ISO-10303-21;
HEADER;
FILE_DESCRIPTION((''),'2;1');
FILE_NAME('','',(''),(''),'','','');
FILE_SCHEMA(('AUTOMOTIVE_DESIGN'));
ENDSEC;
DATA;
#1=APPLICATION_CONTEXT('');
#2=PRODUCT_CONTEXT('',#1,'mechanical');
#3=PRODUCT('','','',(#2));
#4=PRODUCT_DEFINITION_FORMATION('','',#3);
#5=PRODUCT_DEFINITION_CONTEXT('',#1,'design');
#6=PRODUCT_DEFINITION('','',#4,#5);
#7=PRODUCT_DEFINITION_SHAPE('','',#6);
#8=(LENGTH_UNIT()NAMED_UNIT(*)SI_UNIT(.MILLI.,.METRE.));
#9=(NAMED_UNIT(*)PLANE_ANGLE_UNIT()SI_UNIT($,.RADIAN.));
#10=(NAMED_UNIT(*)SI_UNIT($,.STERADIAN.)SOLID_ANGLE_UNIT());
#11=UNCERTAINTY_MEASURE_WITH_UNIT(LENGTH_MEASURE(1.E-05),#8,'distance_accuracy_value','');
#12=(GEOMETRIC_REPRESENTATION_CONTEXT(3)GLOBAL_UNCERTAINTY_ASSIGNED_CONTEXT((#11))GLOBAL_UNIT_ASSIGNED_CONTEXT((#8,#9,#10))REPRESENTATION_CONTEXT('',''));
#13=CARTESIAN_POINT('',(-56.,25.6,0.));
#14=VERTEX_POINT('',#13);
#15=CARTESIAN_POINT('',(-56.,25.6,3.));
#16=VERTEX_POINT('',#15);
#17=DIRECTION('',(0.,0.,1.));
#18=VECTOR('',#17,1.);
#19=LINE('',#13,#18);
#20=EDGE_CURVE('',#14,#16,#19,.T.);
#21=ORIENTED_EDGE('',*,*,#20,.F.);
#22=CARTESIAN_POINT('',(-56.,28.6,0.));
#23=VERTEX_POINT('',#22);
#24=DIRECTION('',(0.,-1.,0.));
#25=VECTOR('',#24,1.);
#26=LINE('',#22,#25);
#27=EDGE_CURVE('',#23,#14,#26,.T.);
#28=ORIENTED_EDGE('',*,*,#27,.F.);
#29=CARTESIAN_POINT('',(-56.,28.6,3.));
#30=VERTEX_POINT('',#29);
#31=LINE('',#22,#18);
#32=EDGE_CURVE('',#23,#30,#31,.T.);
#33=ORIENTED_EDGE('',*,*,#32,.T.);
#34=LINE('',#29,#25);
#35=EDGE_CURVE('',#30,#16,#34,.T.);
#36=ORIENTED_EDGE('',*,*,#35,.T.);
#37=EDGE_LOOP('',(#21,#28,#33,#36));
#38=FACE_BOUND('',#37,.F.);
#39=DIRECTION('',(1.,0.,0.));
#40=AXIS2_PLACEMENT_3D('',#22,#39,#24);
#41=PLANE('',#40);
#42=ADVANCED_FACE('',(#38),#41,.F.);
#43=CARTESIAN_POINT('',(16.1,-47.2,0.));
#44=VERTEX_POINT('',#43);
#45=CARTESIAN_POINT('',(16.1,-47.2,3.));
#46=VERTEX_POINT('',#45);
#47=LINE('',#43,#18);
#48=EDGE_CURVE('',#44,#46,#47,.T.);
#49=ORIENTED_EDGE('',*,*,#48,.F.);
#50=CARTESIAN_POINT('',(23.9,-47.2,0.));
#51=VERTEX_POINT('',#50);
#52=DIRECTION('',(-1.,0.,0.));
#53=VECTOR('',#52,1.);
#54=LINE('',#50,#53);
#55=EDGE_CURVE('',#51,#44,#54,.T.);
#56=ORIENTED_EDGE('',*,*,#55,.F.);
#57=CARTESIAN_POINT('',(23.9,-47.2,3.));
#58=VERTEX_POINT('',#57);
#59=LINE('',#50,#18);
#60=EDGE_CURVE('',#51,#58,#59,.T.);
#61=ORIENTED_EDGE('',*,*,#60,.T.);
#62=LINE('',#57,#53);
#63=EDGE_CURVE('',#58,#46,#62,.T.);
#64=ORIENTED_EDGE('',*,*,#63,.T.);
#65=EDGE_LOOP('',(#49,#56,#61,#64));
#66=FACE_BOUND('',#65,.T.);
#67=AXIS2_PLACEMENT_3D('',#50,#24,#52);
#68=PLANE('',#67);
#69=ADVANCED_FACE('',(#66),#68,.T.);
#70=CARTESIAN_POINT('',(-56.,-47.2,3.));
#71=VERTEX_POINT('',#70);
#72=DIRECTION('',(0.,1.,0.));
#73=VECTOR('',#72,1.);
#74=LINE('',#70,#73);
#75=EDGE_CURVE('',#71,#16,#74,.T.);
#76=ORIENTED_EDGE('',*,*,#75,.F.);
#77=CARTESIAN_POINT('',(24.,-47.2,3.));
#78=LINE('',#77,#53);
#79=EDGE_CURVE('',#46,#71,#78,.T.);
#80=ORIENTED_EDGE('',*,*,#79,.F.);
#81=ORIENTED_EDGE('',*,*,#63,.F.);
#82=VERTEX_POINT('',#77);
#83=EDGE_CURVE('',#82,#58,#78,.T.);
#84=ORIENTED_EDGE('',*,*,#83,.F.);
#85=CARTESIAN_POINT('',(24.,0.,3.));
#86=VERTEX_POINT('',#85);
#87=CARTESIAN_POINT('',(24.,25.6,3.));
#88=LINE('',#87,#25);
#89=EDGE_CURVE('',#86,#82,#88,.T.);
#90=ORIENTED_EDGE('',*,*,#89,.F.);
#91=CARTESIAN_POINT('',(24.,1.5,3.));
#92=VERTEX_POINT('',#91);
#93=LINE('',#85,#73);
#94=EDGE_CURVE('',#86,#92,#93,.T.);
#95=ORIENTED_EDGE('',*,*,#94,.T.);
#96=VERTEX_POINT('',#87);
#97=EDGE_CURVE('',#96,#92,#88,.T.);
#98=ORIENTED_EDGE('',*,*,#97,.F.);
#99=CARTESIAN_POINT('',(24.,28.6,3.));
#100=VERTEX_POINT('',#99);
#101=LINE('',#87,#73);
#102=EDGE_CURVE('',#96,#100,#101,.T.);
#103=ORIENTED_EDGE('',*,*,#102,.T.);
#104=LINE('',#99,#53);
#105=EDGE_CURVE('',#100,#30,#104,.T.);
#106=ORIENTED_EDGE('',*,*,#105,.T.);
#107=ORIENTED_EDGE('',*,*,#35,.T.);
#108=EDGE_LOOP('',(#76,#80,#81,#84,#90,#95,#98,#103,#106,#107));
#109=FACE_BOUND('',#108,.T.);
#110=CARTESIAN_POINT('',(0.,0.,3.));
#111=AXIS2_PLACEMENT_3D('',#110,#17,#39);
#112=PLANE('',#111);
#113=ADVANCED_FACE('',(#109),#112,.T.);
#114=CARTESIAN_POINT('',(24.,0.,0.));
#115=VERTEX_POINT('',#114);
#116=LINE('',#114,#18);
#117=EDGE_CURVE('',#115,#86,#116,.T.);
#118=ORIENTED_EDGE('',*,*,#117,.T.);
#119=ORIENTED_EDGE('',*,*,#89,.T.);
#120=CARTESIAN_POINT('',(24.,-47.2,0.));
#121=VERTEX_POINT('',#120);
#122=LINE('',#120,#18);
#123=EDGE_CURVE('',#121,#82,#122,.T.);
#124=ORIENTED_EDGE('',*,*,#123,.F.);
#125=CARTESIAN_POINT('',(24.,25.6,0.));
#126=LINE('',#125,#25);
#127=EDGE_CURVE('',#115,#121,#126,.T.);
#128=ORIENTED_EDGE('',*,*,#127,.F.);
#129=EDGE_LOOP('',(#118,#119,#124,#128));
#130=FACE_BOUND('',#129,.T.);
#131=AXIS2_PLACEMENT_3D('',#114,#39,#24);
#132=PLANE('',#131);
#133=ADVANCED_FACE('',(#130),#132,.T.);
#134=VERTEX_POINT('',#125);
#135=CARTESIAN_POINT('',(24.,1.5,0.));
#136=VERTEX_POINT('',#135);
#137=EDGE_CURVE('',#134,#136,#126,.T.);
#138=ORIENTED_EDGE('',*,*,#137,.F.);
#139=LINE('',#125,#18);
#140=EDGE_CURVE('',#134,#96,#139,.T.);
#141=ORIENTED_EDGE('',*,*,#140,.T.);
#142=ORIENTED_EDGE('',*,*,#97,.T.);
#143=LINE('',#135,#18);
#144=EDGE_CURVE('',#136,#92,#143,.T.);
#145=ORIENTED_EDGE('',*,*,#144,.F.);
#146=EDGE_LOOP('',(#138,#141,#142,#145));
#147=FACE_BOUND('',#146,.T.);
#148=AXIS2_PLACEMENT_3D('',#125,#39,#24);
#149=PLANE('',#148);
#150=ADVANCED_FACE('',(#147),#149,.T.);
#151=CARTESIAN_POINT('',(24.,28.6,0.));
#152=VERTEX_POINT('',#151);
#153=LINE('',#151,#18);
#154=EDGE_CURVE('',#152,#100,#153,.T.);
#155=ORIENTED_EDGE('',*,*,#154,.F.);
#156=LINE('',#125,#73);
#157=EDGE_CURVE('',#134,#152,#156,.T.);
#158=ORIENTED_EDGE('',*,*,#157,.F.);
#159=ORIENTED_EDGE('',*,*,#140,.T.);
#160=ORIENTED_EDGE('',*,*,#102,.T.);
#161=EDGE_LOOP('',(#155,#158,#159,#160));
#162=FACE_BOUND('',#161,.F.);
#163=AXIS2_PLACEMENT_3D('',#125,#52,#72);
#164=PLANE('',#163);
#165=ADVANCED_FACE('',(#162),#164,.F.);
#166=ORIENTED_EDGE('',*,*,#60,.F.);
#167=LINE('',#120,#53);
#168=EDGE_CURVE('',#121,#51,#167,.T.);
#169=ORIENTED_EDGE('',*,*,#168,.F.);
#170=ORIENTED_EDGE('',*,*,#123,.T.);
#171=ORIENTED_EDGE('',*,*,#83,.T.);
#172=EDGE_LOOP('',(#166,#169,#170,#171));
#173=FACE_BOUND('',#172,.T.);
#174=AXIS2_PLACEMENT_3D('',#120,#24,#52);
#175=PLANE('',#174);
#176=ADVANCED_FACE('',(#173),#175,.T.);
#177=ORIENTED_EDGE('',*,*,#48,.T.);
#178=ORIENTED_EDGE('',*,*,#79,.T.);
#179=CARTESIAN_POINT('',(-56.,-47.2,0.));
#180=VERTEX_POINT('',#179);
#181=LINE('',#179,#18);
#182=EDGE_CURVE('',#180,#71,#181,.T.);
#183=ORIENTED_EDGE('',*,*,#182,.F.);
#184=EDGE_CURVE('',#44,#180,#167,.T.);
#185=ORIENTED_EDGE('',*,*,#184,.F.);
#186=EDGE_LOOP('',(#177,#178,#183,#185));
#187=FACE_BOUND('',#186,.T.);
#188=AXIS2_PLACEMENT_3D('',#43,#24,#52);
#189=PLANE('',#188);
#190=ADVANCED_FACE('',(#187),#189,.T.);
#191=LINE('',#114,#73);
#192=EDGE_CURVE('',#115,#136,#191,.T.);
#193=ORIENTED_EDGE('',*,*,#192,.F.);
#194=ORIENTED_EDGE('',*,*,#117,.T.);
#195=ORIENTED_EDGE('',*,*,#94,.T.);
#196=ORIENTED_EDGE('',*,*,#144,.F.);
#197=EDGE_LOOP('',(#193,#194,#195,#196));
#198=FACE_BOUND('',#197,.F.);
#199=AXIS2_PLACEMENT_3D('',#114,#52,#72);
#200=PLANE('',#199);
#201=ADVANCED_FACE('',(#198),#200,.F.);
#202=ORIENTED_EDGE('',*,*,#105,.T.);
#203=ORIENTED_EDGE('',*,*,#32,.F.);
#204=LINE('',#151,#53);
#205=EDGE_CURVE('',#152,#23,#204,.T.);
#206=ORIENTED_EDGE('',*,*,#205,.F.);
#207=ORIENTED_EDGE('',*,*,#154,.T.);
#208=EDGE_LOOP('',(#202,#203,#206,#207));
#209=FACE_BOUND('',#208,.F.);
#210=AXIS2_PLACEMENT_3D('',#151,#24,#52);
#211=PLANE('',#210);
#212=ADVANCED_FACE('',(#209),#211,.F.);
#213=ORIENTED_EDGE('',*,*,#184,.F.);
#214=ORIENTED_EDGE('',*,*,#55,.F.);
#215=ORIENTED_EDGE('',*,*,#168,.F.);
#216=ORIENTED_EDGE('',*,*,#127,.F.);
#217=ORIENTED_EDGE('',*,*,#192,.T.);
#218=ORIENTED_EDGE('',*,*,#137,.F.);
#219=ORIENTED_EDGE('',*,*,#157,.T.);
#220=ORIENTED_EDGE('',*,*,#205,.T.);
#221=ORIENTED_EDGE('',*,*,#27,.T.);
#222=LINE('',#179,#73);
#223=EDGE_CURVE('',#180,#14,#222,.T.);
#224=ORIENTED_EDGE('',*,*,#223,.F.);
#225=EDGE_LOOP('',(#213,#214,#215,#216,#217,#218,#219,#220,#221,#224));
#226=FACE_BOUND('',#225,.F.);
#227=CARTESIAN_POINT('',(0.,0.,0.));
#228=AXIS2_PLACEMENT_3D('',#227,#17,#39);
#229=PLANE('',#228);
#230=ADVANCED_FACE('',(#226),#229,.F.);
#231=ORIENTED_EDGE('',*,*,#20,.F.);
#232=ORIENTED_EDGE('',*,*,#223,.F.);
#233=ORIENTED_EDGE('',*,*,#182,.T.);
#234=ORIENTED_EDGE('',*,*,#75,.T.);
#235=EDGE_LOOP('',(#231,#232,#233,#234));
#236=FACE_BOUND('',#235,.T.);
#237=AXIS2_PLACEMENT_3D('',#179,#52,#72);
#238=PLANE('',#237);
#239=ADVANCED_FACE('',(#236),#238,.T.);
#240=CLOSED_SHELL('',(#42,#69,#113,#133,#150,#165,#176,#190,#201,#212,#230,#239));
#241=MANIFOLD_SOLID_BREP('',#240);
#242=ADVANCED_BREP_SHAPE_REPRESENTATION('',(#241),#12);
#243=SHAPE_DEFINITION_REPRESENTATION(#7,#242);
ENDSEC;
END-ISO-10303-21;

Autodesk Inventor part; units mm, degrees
ref_plane "YZ Plane" through (0, 0, 0) normal (1, 0, 0) x (0, 1, 0)
ref_plane "XZ Plane" through (0, 0, 0) normal (0, 1, 0) x (-1, 0, 0)
ref_plane "XY Plane" through (0, 0, 0) normal (0, 0, 1) x (1, 0, 0)
sketch "Esboço1" plane through (0, 0, 0) normal (0, 0, 1) x (1, 0, 0)
  line L0 (-50.3718, 0) -> (-50.3718, 1.5) projected
  line L1 (24, 0) -> (24, 1.5) projected
  line L2 (-73.0466, 25.6) -> (-75.024, 25.6) projected
  line L3 (23.9, -47.2) -> (16.1, -47.2) projected
  line L4 (24, 25.6) -> (24, -47.2)
  line L5 (24, -47.2) -> (-56, -47.2)
  line L6 (-56, -47.2) -> (-56, 25.6)
  line L7 (24, 25.6) -> (24, 28.6)
  line L8 (24, 28.6) -> (-56, 28.6)
  line L9 (-56, 28.6) -> (-56, 25.6)
  point P0 (0, 0)
  point P1 (-56, 1.5)
  point P2 (-56, 0)
  dimension "d0" = 80
extrude "Extrusão1" add sketch "Esboço1" along normal blind 3
properties part number "trás"
